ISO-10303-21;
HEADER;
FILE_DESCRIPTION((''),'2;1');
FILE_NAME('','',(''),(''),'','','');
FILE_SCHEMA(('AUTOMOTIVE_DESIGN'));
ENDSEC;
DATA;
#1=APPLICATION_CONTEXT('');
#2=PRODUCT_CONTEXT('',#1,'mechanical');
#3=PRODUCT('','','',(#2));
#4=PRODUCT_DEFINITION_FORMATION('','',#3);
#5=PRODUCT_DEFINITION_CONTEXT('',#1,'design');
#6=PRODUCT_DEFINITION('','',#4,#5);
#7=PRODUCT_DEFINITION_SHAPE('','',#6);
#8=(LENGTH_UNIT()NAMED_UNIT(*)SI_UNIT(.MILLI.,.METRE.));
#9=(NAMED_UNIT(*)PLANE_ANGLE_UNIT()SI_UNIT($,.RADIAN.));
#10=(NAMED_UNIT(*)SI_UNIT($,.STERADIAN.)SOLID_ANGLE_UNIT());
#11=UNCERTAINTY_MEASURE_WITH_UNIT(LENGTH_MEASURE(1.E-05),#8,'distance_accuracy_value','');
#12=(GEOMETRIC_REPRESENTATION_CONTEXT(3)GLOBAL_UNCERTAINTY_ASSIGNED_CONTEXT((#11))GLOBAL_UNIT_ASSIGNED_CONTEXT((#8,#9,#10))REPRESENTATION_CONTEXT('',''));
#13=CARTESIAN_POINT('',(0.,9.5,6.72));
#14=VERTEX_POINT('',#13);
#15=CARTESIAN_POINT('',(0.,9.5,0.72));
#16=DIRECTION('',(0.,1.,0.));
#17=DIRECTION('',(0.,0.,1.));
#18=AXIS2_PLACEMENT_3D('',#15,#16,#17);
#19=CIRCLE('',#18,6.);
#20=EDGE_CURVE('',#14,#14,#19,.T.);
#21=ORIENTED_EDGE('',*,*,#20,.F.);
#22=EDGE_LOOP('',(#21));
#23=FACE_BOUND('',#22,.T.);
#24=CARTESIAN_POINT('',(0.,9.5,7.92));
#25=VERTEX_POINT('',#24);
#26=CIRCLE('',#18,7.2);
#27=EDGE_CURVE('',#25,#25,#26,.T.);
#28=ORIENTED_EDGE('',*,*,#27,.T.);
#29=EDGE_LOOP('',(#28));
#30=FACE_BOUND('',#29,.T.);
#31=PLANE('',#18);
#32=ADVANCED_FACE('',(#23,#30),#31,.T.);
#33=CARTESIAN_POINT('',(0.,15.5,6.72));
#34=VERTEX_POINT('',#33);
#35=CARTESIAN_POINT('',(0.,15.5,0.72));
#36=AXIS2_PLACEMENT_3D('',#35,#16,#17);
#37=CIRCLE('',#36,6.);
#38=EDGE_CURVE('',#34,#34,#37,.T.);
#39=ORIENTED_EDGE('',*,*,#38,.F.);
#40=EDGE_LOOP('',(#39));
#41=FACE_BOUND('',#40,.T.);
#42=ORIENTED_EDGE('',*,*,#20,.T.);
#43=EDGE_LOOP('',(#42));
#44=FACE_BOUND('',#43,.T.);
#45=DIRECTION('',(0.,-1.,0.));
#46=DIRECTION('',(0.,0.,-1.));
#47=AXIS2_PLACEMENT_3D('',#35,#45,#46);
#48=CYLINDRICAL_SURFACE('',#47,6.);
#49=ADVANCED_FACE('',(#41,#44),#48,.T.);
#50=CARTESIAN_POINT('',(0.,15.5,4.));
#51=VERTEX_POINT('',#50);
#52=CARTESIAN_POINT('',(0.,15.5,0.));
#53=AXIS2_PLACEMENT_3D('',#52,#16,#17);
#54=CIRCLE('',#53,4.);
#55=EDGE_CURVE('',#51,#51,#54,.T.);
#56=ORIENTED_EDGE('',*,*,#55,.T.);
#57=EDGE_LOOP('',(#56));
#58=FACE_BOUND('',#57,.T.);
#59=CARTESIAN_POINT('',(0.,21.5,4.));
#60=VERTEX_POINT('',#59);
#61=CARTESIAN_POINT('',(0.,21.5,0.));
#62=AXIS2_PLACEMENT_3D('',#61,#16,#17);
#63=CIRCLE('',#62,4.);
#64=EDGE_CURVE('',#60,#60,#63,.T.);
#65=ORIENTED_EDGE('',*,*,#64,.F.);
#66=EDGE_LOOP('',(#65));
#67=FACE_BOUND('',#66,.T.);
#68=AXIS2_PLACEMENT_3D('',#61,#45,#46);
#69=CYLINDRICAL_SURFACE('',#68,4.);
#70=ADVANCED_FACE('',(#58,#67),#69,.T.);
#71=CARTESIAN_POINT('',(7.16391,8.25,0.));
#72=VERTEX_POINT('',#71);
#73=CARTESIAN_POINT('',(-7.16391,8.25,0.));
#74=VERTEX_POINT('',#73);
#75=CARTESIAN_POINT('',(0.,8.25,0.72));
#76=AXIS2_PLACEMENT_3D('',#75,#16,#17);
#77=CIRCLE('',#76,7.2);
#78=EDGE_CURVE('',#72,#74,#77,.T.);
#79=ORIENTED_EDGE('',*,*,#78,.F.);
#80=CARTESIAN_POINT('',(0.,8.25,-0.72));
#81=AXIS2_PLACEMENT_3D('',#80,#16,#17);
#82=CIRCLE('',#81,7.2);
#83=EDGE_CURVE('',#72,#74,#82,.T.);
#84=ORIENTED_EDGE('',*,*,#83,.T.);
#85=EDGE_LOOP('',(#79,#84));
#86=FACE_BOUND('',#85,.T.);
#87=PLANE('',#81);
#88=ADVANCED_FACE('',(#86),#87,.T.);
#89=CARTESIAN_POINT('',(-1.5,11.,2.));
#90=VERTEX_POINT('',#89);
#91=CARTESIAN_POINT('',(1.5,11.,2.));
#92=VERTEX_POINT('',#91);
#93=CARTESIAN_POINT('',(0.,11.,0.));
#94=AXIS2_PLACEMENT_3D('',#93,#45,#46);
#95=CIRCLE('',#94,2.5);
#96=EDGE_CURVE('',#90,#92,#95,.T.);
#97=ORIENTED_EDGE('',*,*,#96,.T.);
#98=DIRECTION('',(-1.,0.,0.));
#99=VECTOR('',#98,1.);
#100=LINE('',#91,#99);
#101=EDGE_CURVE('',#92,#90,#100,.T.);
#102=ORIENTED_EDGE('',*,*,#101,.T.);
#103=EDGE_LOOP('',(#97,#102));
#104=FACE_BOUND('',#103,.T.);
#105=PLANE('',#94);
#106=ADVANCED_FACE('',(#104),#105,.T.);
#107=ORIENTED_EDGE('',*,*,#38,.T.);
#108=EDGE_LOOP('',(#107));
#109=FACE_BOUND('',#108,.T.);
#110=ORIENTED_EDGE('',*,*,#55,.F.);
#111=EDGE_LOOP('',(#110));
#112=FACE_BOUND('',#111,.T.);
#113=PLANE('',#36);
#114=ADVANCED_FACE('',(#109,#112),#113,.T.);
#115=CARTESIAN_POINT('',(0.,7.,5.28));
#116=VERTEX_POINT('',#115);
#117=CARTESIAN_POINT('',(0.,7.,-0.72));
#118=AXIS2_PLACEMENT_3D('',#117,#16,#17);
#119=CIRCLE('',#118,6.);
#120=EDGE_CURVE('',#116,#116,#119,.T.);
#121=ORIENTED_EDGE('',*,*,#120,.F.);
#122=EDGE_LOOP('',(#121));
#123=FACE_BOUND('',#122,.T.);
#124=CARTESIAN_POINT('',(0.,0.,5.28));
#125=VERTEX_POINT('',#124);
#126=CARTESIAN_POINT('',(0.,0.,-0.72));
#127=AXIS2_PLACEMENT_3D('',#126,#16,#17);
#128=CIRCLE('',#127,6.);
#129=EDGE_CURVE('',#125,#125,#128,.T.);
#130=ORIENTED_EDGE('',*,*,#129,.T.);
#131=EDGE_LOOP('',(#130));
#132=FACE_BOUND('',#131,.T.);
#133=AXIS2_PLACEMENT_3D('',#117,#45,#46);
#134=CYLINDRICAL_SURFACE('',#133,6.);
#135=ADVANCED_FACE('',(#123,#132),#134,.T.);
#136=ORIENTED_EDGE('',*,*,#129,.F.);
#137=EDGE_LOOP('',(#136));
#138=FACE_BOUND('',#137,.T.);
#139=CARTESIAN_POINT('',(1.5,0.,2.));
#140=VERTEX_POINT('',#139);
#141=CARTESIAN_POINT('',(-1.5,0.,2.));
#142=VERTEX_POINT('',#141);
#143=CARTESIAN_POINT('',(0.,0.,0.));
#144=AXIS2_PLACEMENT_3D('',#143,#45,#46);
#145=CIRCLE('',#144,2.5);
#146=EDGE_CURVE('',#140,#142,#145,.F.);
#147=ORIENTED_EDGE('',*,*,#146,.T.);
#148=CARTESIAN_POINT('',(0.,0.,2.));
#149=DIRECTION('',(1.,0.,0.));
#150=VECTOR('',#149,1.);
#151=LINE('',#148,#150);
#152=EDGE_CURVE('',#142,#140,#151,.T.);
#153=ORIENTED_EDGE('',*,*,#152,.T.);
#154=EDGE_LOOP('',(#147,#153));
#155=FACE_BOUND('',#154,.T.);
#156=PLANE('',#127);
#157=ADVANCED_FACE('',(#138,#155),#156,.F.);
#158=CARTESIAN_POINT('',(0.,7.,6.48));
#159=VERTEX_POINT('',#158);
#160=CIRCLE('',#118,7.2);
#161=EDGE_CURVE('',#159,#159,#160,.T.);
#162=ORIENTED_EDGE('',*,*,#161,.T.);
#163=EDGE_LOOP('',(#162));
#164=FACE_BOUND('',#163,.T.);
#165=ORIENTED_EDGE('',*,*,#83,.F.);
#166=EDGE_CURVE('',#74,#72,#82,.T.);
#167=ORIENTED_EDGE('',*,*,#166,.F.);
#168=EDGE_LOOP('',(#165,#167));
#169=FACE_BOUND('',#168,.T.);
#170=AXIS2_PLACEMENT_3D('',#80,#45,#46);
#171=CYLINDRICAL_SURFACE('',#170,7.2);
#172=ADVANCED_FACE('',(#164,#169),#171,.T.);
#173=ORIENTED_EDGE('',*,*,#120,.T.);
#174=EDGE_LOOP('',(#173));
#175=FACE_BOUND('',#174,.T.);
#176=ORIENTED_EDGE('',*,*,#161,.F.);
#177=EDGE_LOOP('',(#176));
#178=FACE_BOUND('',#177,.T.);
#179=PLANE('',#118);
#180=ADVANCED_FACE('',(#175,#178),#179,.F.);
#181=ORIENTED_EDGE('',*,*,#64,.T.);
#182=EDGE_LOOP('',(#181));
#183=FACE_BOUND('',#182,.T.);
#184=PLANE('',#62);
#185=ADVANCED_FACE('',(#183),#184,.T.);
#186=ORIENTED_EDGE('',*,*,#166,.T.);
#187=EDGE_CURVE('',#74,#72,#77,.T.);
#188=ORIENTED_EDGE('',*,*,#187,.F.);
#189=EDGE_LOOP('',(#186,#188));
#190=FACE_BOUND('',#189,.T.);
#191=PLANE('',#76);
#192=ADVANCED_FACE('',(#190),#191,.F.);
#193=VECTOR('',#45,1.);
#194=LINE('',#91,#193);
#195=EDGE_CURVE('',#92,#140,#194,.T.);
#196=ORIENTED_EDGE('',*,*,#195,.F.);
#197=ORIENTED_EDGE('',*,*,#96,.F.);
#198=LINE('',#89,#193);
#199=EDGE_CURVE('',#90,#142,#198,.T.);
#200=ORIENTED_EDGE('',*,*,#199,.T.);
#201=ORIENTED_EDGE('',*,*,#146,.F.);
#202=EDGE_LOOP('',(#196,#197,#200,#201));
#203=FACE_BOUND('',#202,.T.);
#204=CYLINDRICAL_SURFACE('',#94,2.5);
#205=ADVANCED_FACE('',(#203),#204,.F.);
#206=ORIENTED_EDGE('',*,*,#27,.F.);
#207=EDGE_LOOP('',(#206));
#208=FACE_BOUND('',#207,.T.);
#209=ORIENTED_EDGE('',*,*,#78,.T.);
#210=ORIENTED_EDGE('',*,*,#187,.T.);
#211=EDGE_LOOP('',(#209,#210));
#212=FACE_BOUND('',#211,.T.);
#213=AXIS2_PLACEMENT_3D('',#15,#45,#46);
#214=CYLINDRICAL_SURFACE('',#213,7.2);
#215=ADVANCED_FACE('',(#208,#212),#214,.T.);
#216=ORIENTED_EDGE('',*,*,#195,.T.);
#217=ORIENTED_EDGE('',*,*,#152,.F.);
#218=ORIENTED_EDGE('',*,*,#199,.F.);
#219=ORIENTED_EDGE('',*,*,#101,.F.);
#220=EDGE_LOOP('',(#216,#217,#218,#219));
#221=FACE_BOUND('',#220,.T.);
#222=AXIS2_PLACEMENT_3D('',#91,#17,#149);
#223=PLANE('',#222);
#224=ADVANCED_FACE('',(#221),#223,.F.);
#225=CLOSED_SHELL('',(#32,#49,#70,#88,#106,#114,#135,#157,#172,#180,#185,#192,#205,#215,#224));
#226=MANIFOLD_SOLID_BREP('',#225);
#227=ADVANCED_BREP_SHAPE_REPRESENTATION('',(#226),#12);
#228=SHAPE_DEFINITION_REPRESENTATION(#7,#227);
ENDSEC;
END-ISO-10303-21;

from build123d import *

# Parameters (mm, degrees)
SKETCH1_R               = 6
BOSS_EXTRUDE1_DEPTH     = 7
SKETCH2_R               = 7.2
BOSS_EXTRUDE2_DEPTH     = 1.25
SKETCH3_R               = 7.2
BOSS_EXTRUDE3_DEPTH     = 1.25
SKETCH4_R               = 6
BOSS_EXTRUDE4_DEPTH     = 6
CUT_EXTRUDE2_DEPTH      = 19.836570813
CUT_EXTRUDE2_DEPTH_BACK = 11
SKETCH6_R               = 4
BOSS_EXTRUDE5_DEPTH     = 6


with BuildPart() as part:
    # Sketch1 → Boss-Extrude1 (new body)
    with BuildSketch(Plane(origin=(0, 0, 0), x_dir=(1, 0, 0), z_dir=(0, 1, 0))):
        with Locations(Location((0, 0.72, 0), (0, 0, 270))):
            Circle(SKETCH1_R)
    extrude(amount=BOSS_EXTRUDE1_DEPTH)

    # Sketch2 → Boss-Extrude2 (add)
    with BuildSketch(Plane(origin=(0, 7, 0), x_dir=(1, 0, 0), z_dir=(0, 1, 0))):
        with Locations(Location((0, 0.72, 0), (0, 0, 270))):
            Circle(SKETCH2_R)
    extrude(amount=BOSS_EXTRUDE2_DEPTH)

    # Sketch3 → Boss-Extrude3 (add)
    with BuildSketch(Plane(origin=(0, 8.25, 0), x_dir=(1, 0, 0), z_dir=(0, 1, 0))):
        with Locations(Location((0, -0.72, 0), (0, 0, 174.260829523))):
            Circle(SKETCH3_R)
    extrude(amount=BOSS_EXTRUDE3_DEPTH)

    # Sketch4 → Boss-Extrude4 (add)
    with BuildSketch(Plane(origin=(0, 9.5, 0), x_dir=(1, 0, 0), z_dir=(0, 1, 0))):
        with Locations(Location((0, -0.72, 0), (0, 0, 270))):
            Circle(SKETCH4_R)
    extrude(amount=BOSS_EXTRUDE4_DEPTH)

    # Sketch5 → Cut-Extrude2 (cut, two sides: drawn at the far end of the back side and taken through both)
    with BuildSketch(Plane.XZ.offset(-CUT_EXTRUDE2_DEPTH_BACK)):
        with BuildLine():
            Line((1.5, 2), (-1.5, 2))
            ThreePointArc((-1.5, 2), (0, -2.5), (1.5, 2))
        make_face()
    extrude(amount=CUT_EXTRUDE2_DEPTH + CUT_EXTRUDE2_DEPTH_BACK, mode=Mode.SUBTRACT)

    # Sketch6 → Boss-Extrude5 (add)
    with BuildSketch(Plane(origin=(0, 15.5, 0), x_dir=(1, 0, 0), z_dir=(0, 1, 0))):
        with Locations(Location((0, 0, 0), (0, 0, 270))):
            Circle(SKETCH6_R)
    extrude(amount=BOSS_EXTRUDE5_DEPTH)


solid = part.part
